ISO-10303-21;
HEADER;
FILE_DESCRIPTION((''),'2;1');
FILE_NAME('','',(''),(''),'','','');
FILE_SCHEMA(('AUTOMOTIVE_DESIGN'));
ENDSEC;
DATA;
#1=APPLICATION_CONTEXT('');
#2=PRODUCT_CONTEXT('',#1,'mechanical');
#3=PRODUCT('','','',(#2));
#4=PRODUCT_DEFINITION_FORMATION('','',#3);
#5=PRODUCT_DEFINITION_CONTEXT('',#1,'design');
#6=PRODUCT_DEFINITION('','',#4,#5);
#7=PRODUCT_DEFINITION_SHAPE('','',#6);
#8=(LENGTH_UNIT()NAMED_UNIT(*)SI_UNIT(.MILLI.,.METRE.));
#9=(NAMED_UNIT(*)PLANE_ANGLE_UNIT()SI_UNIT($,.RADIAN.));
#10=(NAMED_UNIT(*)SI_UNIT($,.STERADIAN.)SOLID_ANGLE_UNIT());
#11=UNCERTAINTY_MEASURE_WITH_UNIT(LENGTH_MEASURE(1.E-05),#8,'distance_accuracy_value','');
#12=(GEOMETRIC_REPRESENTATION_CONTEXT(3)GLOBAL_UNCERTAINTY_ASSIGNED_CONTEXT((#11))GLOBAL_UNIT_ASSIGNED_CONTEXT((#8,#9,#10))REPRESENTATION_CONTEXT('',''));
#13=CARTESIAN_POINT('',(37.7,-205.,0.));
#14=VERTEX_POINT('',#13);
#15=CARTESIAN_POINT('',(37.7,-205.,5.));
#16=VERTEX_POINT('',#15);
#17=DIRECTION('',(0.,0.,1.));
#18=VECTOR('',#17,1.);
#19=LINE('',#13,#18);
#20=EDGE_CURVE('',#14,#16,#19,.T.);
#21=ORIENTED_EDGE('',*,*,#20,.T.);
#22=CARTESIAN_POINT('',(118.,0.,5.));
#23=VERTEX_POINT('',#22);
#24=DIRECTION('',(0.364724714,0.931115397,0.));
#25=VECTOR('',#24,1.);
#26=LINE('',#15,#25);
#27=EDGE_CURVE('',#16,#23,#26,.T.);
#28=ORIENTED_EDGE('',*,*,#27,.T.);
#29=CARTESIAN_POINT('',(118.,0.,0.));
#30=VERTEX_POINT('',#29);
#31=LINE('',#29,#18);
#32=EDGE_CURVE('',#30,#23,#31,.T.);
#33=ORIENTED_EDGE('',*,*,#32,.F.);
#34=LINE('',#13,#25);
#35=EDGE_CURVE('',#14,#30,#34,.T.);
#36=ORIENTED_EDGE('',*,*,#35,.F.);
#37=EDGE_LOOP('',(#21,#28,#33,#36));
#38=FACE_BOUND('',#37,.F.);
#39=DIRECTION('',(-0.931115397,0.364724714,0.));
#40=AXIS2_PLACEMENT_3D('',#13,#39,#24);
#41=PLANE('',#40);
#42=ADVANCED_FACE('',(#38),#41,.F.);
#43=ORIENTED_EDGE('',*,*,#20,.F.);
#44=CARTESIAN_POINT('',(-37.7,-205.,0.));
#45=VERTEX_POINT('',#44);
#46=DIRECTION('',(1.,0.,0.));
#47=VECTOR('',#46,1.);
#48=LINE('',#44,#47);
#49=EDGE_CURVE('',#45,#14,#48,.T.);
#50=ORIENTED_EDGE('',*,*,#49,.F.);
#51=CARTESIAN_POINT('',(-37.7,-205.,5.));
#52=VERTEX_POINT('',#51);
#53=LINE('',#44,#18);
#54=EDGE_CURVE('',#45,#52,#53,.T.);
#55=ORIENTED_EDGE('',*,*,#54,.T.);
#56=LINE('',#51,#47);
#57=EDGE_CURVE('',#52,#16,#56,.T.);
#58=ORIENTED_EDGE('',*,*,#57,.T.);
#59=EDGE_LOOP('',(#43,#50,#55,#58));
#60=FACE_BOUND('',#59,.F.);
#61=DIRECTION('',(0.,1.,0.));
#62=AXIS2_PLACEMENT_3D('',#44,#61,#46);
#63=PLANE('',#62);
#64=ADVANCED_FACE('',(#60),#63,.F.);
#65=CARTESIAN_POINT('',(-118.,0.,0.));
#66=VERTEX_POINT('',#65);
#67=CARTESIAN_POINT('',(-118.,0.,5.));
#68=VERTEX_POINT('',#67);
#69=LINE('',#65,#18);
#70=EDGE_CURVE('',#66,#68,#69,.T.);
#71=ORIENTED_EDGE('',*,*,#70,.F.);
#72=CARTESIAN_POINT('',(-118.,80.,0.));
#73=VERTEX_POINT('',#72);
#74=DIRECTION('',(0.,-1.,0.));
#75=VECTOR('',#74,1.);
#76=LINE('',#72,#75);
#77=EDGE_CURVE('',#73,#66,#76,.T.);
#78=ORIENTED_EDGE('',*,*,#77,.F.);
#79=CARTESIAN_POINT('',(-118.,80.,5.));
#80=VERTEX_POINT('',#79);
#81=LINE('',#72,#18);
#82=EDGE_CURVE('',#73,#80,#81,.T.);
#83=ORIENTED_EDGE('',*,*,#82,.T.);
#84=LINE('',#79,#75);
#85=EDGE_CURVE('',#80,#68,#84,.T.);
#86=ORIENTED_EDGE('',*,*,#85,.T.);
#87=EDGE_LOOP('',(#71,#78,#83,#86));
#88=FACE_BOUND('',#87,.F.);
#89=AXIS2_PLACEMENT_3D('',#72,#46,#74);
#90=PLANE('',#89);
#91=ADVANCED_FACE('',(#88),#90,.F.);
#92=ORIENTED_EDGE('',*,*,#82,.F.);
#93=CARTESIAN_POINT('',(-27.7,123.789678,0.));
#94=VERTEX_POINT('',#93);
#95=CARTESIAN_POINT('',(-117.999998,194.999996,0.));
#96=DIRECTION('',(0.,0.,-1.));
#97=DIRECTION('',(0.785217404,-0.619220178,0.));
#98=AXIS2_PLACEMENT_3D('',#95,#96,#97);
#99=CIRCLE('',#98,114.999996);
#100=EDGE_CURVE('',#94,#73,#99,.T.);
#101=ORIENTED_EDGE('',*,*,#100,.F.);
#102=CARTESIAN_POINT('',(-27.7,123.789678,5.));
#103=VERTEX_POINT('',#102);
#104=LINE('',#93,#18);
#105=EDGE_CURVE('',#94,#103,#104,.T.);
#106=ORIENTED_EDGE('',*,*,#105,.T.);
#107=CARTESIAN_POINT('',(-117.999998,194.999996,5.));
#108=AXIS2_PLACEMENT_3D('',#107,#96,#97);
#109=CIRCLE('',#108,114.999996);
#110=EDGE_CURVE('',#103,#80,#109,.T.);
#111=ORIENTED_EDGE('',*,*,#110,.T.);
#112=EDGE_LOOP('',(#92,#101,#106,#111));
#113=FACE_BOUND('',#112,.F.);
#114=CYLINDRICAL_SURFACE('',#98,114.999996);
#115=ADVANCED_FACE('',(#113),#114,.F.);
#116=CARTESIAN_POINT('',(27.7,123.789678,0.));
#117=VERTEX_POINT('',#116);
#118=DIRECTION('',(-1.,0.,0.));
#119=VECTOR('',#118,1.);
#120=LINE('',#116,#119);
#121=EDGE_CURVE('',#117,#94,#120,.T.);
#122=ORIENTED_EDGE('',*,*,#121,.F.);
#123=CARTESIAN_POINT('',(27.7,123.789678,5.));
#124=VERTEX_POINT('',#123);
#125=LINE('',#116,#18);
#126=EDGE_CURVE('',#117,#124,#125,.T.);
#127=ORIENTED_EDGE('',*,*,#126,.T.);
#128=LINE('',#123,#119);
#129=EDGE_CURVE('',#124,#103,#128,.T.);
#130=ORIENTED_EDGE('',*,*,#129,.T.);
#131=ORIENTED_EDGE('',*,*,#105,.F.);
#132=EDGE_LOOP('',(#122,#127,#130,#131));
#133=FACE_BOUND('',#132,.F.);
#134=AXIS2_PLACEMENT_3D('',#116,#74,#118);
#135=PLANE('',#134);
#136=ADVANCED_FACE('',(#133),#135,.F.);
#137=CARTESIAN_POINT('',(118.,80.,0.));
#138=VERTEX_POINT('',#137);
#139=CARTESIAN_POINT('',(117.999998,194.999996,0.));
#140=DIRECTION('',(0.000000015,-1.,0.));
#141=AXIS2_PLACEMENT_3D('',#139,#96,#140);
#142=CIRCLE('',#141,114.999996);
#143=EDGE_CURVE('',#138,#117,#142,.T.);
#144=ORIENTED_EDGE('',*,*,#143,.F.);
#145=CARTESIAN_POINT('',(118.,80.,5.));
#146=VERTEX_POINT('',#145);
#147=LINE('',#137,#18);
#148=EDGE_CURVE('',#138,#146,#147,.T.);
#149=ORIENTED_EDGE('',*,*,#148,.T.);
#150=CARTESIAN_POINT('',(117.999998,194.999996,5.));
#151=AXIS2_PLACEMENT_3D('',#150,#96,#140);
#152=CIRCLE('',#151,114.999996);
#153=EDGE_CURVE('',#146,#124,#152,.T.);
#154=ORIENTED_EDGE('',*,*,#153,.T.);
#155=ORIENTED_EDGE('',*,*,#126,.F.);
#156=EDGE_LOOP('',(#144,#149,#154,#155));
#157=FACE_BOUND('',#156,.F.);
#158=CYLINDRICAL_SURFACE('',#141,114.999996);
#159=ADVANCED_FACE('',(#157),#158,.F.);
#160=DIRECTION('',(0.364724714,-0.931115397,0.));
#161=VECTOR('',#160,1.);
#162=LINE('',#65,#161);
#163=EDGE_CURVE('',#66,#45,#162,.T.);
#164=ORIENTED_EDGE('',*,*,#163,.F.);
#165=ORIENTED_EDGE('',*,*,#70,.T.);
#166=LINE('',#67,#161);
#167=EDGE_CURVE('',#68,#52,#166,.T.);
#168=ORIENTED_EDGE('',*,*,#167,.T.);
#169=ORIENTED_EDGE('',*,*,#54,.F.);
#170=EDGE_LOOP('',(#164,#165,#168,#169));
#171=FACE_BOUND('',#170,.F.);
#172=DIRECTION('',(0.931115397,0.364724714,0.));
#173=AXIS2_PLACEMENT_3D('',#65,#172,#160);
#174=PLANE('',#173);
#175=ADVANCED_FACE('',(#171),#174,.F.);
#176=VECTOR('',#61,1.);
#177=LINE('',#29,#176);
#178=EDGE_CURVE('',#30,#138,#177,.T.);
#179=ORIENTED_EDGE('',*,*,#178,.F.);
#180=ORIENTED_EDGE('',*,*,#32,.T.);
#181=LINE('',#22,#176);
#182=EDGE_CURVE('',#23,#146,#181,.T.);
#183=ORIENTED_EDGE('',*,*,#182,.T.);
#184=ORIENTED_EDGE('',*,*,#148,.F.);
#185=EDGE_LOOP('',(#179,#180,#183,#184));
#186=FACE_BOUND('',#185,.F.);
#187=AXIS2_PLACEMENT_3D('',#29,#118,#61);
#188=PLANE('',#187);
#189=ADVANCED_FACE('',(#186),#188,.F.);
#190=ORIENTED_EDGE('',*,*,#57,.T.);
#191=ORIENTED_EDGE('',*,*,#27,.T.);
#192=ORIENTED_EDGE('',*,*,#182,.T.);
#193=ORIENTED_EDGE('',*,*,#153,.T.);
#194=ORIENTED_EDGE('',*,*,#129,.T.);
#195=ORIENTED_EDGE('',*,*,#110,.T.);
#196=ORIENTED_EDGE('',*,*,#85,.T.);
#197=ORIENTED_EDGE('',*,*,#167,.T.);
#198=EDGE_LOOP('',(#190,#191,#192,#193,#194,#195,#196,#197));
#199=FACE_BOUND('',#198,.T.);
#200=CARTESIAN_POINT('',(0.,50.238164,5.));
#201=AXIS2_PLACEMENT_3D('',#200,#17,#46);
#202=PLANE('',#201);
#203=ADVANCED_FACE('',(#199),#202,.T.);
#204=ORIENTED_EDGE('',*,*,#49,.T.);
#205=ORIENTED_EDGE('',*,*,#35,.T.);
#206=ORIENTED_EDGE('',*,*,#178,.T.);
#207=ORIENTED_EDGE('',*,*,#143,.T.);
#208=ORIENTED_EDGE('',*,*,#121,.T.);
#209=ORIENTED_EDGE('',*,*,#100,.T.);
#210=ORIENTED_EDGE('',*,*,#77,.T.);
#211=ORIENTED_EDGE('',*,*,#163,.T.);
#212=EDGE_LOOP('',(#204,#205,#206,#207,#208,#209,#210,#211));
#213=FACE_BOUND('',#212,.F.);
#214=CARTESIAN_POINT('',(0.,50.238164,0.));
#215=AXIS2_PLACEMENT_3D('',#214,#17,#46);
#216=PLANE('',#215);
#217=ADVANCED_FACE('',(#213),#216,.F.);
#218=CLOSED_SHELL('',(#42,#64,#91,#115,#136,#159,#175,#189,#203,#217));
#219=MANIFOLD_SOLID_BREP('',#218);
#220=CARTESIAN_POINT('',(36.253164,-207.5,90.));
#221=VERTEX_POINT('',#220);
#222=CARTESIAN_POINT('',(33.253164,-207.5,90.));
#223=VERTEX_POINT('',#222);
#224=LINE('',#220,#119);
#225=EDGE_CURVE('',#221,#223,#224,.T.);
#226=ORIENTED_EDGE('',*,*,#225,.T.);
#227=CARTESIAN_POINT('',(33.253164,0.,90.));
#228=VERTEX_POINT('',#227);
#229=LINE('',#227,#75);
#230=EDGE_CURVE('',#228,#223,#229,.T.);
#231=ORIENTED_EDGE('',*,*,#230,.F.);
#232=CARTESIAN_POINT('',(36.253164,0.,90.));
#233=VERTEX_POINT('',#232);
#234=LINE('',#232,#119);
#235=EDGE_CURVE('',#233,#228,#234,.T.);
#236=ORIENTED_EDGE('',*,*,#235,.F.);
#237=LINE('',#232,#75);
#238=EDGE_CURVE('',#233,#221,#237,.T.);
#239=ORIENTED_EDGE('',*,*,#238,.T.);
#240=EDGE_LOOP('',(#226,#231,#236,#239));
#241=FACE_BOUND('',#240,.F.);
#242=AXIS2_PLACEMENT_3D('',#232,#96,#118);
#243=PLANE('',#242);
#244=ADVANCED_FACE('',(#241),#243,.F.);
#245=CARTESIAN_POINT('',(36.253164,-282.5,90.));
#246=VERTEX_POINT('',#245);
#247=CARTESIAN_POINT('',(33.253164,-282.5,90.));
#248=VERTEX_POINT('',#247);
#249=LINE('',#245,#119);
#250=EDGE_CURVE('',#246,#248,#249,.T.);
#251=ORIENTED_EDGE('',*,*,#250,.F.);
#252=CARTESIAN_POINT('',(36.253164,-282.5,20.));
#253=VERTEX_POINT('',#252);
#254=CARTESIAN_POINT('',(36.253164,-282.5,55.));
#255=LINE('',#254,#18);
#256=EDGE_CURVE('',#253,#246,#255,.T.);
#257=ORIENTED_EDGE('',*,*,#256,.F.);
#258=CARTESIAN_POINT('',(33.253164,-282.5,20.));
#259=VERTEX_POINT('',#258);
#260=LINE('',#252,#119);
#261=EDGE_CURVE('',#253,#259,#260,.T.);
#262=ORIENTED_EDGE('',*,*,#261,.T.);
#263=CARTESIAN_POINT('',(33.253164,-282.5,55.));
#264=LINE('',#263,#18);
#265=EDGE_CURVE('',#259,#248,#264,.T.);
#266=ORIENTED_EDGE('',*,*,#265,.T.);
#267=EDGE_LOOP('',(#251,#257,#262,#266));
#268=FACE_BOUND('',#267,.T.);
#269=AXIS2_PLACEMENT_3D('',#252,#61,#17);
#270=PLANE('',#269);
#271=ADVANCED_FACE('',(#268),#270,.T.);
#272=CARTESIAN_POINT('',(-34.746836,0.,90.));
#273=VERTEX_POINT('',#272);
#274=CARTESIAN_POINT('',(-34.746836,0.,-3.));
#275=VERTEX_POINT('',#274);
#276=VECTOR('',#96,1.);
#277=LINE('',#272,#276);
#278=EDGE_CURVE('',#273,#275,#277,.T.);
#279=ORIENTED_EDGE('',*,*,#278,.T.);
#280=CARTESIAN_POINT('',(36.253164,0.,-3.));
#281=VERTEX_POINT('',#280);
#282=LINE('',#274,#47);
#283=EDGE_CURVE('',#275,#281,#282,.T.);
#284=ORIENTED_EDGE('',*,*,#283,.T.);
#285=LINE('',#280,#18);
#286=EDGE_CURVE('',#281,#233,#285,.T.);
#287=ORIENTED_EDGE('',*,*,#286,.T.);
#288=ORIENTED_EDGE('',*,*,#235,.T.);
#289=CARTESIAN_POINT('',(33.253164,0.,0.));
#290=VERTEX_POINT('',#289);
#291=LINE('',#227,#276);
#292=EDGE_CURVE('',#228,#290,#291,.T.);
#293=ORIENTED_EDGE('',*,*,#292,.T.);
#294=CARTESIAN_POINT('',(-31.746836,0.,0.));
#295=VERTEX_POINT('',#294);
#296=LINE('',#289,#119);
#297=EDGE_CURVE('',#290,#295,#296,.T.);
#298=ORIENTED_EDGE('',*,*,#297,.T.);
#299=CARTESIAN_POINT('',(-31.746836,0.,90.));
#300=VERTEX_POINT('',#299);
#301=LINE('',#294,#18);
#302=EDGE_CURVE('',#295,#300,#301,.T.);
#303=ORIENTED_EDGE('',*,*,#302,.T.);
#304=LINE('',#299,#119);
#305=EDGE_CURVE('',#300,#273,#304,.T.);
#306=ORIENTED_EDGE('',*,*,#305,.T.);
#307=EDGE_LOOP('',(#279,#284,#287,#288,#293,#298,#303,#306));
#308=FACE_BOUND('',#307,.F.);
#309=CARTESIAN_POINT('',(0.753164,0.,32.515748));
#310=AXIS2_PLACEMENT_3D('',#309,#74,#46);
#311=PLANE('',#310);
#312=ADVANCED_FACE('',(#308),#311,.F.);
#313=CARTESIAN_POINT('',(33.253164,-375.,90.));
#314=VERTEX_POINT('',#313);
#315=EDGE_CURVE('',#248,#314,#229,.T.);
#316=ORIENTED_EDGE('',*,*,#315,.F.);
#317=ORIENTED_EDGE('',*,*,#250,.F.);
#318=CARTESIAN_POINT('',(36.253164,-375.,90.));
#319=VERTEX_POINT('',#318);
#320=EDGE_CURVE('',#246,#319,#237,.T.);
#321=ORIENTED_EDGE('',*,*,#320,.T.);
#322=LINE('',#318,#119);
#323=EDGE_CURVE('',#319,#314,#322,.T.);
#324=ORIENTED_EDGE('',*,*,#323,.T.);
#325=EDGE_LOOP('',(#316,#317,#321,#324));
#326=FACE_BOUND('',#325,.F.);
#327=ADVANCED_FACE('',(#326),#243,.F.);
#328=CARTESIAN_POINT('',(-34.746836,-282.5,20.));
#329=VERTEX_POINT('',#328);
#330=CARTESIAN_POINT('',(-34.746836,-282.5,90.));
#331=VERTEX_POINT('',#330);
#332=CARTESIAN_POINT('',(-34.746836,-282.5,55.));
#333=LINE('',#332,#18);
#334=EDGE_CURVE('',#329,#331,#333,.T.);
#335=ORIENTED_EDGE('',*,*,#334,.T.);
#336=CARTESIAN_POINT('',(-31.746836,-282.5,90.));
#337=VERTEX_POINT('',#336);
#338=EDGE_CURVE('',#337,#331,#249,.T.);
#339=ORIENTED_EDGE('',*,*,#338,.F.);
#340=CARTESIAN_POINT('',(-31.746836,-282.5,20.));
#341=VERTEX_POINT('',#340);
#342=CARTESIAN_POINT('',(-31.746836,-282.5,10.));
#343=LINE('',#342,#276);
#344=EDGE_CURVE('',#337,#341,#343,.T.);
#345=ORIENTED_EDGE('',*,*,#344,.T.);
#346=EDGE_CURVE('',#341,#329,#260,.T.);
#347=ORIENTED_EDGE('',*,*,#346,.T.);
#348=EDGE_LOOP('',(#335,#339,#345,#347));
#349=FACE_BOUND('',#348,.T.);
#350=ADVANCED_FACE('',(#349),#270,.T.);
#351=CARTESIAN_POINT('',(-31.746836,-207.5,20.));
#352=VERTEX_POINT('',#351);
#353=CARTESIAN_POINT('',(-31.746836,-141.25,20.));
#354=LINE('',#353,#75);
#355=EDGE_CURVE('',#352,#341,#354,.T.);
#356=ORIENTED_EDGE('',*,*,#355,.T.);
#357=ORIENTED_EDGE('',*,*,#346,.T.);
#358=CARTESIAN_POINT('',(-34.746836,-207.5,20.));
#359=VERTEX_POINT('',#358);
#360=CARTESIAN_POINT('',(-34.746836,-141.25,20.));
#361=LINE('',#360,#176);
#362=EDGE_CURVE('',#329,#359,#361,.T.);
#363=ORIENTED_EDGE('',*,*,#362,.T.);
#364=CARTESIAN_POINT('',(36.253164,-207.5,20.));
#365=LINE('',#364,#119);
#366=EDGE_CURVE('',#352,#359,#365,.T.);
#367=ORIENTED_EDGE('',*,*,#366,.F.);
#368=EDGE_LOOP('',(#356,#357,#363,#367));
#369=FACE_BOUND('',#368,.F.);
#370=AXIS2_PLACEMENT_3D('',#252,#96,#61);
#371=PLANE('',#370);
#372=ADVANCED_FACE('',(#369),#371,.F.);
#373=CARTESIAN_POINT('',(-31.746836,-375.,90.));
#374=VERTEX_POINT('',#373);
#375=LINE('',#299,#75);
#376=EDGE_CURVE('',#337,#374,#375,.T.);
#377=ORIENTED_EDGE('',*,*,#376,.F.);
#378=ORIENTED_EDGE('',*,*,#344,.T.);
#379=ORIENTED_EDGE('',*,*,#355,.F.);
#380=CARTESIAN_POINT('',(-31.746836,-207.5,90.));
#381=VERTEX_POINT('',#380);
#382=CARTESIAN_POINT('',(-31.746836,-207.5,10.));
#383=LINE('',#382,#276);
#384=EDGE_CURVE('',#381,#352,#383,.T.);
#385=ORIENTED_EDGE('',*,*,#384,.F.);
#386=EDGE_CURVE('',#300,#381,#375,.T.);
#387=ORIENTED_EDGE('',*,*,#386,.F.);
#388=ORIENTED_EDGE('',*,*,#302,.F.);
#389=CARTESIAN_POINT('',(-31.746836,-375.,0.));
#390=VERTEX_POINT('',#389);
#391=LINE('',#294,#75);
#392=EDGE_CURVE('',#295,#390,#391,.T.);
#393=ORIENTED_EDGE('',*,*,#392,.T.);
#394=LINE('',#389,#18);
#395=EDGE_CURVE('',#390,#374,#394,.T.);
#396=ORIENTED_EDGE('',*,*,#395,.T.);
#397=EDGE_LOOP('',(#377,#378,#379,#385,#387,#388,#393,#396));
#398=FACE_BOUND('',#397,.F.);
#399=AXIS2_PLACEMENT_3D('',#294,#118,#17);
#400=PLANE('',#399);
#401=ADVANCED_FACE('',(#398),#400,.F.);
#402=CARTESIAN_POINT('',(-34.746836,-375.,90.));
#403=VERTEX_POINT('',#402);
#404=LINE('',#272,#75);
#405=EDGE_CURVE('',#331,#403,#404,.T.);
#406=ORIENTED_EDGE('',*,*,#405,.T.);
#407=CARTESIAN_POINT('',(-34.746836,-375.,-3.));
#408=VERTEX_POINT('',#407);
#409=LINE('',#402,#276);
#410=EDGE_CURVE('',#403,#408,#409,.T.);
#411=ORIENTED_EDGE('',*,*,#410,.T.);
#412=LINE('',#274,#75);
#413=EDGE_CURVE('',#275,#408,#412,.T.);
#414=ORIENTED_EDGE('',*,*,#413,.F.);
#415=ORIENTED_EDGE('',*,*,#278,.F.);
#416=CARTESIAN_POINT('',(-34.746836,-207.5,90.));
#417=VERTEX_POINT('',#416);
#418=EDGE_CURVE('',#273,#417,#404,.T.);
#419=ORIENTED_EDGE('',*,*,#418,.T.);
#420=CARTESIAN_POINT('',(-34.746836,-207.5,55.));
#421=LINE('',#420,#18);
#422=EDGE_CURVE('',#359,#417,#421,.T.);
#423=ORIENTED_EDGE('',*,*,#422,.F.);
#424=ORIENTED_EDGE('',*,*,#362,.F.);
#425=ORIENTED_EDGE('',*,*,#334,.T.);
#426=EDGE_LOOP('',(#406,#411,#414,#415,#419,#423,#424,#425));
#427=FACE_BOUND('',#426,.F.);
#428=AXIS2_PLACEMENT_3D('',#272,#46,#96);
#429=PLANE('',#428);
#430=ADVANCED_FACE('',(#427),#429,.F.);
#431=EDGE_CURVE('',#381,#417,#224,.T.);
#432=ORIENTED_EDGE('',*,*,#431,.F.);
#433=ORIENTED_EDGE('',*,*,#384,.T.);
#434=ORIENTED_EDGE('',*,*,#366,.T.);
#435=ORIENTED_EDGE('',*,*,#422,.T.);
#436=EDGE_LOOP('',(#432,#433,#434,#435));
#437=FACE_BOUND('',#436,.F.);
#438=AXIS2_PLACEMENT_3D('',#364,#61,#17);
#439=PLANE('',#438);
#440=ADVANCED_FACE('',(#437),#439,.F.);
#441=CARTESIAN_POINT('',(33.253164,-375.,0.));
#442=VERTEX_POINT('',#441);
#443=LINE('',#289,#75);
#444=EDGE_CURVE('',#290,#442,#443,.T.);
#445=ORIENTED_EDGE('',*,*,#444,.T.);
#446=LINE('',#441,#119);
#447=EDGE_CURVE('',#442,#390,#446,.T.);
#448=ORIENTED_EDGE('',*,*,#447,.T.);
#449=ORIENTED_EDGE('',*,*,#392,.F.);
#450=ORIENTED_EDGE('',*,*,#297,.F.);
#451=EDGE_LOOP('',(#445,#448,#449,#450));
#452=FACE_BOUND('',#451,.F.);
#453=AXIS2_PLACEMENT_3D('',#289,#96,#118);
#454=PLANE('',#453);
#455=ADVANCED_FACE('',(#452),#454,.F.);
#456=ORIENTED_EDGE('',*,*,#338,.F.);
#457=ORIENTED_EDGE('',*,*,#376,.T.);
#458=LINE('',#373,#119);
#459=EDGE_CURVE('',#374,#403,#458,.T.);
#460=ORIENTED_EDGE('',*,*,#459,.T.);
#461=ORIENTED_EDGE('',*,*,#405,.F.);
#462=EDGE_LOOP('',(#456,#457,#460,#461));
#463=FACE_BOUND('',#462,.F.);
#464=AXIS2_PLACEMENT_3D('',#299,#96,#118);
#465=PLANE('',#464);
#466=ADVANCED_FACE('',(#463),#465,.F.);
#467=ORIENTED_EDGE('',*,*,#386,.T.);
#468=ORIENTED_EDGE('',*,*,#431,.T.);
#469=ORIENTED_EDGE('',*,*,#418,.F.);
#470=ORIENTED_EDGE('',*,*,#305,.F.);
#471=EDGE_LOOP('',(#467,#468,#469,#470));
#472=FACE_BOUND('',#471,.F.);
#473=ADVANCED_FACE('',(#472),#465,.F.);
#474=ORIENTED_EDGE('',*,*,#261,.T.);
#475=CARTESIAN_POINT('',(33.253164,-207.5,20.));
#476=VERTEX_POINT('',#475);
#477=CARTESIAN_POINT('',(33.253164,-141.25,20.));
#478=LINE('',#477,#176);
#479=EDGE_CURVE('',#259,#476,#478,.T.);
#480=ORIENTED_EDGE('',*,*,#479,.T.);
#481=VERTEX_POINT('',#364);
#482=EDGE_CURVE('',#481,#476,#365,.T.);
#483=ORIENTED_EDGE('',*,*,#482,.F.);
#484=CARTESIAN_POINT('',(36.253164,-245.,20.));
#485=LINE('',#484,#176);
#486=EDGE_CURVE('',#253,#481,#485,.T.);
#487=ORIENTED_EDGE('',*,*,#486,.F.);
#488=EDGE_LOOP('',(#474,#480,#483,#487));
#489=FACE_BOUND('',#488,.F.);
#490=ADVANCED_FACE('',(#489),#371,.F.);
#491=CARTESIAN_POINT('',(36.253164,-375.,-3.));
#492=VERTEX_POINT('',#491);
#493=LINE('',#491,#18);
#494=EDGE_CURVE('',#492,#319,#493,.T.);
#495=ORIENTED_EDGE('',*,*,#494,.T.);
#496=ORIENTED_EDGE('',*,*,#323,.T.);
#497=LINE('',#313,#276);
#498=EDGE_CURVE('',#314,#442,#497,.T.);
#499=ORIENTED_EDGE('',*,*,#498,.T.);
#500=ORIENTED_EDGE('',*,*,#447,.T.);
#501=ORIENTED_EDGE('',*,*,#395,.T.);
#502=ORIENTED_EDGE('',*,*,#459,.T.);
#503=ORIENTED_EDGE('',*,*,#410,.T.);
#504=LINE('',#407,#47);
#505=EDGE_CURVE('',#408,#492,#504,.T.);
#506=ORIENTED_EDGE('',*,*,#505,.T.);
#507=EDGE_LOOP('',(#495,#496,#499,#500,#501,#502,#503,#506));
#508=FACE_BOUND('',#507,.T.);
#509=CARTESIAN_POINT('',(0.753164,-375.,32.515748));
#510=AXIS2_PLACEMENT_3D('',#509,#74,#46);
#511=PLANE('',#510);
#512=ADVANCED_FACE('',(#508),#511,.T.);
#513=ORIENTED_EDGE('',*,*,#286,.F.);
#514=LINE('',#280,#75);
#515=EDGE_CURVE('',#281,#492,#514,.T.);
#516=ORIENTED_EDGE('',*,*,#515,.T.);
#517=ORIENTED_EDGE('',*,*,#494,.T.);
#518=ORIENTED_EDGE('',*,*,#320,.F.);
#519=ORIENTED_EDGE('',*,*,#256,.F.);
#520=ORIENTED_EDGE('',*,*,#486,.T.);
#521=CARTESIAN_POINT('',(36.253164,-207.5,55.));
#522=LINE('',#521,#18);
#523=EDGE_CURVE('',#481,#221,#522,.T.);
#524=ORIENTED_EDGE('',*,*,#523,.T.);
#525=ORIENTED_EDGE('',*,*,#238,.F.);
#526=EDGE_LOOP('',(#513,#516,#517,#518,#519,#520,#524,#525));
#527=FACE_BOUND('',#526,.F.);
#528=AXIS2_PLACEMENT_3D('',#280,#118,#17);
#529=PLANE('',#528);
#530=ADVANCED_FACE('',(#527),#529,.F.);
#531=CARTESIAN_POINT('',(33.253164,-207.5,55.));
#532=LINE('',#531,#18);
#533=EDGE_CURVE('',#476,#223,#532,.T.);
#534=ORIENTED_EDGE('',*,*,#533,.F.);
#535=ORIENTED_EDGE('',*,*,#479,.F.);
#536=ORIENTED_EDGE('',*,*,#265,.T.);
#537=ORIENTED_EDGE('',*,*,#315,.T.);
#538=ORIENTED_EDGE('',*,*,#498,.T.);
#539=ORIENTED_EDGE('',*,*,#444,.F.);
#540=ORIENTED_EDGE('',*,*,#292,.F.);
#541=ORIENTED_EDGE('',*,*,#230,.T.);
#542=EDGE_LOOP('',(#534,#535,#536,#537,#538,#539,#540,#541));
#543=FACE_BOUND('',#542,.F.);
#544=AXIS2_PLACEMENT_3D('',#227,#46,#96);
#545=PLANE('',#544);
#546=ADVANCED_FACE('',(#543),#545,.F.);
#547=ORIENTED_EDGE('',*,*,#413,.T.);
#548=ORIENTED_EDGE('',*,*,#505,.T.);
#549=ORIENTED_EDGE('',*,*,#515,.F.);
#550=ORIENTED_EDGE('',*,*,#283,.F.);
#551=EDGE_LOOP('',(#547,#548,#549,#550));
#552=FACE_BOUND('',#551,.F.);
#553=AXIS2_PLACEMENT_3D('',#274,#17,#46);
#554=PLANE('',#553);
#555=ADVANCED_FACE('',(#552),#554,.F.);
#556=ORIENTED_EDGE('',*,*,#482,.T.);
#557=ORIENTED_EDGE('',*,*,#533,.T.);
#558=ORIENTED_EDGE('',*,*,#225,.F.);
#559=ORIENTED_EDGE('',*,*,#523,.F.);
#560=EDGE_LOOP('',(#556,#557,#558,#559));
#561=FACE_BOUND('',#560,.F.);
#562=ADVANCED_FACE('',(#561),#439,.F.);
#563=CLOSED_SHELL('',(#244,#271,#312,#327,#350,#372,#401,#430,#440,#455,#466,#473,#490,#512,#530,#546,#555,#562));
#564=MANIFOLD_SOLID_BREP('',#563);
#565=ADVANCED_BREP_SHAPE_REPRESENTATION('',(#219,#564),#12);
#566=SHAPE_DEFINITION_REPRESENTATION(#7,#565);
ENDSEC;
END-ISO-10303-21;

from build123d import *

# Parameters (mm, degrees)
F1_DEPTH = 375
F2_W     = 75
F2_H     = 70
F3_DEPTH = 107
F5_DEPTH = 5


with BuildPart() as f1:
    # F0 (on Front) → F1 (new body)
    with BuildSketch(Plane.XZ):
        Polygon((-31.746836, 0), (-31.746836, 90), (-34.746836, 90), (-34.746836, -3), (36.253164, -3), (36.253164, 90), (33.253164, 90), (33.253164, 0), align=None)
    extrude(amount=F1_DEPTH)

    # F2 (on face) → F3 (cut)
    with BuildSketch(Plane.YZ.offset(36.253164)):
        with Locations((-245, 55)):
            Rectangle(F2_W, F2_H)
    extrude(amount=-F3_DEPTH, mode=Mode.SUBTRACT)


with BuildPart() as f5:
    # F4 (on Top) → F5 (new body)
    with BuildSketch(Plane.XY):
        with BuildLine():
            Line((-118, 80), (-118, 0))
            Line((-118, 0), (118, 0))
            Line((118, 0), (118, 80))
            ThreePointArc((118, 80), (67.821255, 91.524913), (27.7, 123.789678))
            Line((27.7, 123.789678), (-27.7, 123.789678))
            ThreePointArc((-27.7, 123.789678), (-67.821255, 91.524913), (-118, 80))
        make_face()
        Polygon((118, 0), (-118, 0), (-37.7, -205), (37.7, -205), align=None)
    extrude(amount=F5_DEPTH)


solid = Compound([f1.part, f5.part])
